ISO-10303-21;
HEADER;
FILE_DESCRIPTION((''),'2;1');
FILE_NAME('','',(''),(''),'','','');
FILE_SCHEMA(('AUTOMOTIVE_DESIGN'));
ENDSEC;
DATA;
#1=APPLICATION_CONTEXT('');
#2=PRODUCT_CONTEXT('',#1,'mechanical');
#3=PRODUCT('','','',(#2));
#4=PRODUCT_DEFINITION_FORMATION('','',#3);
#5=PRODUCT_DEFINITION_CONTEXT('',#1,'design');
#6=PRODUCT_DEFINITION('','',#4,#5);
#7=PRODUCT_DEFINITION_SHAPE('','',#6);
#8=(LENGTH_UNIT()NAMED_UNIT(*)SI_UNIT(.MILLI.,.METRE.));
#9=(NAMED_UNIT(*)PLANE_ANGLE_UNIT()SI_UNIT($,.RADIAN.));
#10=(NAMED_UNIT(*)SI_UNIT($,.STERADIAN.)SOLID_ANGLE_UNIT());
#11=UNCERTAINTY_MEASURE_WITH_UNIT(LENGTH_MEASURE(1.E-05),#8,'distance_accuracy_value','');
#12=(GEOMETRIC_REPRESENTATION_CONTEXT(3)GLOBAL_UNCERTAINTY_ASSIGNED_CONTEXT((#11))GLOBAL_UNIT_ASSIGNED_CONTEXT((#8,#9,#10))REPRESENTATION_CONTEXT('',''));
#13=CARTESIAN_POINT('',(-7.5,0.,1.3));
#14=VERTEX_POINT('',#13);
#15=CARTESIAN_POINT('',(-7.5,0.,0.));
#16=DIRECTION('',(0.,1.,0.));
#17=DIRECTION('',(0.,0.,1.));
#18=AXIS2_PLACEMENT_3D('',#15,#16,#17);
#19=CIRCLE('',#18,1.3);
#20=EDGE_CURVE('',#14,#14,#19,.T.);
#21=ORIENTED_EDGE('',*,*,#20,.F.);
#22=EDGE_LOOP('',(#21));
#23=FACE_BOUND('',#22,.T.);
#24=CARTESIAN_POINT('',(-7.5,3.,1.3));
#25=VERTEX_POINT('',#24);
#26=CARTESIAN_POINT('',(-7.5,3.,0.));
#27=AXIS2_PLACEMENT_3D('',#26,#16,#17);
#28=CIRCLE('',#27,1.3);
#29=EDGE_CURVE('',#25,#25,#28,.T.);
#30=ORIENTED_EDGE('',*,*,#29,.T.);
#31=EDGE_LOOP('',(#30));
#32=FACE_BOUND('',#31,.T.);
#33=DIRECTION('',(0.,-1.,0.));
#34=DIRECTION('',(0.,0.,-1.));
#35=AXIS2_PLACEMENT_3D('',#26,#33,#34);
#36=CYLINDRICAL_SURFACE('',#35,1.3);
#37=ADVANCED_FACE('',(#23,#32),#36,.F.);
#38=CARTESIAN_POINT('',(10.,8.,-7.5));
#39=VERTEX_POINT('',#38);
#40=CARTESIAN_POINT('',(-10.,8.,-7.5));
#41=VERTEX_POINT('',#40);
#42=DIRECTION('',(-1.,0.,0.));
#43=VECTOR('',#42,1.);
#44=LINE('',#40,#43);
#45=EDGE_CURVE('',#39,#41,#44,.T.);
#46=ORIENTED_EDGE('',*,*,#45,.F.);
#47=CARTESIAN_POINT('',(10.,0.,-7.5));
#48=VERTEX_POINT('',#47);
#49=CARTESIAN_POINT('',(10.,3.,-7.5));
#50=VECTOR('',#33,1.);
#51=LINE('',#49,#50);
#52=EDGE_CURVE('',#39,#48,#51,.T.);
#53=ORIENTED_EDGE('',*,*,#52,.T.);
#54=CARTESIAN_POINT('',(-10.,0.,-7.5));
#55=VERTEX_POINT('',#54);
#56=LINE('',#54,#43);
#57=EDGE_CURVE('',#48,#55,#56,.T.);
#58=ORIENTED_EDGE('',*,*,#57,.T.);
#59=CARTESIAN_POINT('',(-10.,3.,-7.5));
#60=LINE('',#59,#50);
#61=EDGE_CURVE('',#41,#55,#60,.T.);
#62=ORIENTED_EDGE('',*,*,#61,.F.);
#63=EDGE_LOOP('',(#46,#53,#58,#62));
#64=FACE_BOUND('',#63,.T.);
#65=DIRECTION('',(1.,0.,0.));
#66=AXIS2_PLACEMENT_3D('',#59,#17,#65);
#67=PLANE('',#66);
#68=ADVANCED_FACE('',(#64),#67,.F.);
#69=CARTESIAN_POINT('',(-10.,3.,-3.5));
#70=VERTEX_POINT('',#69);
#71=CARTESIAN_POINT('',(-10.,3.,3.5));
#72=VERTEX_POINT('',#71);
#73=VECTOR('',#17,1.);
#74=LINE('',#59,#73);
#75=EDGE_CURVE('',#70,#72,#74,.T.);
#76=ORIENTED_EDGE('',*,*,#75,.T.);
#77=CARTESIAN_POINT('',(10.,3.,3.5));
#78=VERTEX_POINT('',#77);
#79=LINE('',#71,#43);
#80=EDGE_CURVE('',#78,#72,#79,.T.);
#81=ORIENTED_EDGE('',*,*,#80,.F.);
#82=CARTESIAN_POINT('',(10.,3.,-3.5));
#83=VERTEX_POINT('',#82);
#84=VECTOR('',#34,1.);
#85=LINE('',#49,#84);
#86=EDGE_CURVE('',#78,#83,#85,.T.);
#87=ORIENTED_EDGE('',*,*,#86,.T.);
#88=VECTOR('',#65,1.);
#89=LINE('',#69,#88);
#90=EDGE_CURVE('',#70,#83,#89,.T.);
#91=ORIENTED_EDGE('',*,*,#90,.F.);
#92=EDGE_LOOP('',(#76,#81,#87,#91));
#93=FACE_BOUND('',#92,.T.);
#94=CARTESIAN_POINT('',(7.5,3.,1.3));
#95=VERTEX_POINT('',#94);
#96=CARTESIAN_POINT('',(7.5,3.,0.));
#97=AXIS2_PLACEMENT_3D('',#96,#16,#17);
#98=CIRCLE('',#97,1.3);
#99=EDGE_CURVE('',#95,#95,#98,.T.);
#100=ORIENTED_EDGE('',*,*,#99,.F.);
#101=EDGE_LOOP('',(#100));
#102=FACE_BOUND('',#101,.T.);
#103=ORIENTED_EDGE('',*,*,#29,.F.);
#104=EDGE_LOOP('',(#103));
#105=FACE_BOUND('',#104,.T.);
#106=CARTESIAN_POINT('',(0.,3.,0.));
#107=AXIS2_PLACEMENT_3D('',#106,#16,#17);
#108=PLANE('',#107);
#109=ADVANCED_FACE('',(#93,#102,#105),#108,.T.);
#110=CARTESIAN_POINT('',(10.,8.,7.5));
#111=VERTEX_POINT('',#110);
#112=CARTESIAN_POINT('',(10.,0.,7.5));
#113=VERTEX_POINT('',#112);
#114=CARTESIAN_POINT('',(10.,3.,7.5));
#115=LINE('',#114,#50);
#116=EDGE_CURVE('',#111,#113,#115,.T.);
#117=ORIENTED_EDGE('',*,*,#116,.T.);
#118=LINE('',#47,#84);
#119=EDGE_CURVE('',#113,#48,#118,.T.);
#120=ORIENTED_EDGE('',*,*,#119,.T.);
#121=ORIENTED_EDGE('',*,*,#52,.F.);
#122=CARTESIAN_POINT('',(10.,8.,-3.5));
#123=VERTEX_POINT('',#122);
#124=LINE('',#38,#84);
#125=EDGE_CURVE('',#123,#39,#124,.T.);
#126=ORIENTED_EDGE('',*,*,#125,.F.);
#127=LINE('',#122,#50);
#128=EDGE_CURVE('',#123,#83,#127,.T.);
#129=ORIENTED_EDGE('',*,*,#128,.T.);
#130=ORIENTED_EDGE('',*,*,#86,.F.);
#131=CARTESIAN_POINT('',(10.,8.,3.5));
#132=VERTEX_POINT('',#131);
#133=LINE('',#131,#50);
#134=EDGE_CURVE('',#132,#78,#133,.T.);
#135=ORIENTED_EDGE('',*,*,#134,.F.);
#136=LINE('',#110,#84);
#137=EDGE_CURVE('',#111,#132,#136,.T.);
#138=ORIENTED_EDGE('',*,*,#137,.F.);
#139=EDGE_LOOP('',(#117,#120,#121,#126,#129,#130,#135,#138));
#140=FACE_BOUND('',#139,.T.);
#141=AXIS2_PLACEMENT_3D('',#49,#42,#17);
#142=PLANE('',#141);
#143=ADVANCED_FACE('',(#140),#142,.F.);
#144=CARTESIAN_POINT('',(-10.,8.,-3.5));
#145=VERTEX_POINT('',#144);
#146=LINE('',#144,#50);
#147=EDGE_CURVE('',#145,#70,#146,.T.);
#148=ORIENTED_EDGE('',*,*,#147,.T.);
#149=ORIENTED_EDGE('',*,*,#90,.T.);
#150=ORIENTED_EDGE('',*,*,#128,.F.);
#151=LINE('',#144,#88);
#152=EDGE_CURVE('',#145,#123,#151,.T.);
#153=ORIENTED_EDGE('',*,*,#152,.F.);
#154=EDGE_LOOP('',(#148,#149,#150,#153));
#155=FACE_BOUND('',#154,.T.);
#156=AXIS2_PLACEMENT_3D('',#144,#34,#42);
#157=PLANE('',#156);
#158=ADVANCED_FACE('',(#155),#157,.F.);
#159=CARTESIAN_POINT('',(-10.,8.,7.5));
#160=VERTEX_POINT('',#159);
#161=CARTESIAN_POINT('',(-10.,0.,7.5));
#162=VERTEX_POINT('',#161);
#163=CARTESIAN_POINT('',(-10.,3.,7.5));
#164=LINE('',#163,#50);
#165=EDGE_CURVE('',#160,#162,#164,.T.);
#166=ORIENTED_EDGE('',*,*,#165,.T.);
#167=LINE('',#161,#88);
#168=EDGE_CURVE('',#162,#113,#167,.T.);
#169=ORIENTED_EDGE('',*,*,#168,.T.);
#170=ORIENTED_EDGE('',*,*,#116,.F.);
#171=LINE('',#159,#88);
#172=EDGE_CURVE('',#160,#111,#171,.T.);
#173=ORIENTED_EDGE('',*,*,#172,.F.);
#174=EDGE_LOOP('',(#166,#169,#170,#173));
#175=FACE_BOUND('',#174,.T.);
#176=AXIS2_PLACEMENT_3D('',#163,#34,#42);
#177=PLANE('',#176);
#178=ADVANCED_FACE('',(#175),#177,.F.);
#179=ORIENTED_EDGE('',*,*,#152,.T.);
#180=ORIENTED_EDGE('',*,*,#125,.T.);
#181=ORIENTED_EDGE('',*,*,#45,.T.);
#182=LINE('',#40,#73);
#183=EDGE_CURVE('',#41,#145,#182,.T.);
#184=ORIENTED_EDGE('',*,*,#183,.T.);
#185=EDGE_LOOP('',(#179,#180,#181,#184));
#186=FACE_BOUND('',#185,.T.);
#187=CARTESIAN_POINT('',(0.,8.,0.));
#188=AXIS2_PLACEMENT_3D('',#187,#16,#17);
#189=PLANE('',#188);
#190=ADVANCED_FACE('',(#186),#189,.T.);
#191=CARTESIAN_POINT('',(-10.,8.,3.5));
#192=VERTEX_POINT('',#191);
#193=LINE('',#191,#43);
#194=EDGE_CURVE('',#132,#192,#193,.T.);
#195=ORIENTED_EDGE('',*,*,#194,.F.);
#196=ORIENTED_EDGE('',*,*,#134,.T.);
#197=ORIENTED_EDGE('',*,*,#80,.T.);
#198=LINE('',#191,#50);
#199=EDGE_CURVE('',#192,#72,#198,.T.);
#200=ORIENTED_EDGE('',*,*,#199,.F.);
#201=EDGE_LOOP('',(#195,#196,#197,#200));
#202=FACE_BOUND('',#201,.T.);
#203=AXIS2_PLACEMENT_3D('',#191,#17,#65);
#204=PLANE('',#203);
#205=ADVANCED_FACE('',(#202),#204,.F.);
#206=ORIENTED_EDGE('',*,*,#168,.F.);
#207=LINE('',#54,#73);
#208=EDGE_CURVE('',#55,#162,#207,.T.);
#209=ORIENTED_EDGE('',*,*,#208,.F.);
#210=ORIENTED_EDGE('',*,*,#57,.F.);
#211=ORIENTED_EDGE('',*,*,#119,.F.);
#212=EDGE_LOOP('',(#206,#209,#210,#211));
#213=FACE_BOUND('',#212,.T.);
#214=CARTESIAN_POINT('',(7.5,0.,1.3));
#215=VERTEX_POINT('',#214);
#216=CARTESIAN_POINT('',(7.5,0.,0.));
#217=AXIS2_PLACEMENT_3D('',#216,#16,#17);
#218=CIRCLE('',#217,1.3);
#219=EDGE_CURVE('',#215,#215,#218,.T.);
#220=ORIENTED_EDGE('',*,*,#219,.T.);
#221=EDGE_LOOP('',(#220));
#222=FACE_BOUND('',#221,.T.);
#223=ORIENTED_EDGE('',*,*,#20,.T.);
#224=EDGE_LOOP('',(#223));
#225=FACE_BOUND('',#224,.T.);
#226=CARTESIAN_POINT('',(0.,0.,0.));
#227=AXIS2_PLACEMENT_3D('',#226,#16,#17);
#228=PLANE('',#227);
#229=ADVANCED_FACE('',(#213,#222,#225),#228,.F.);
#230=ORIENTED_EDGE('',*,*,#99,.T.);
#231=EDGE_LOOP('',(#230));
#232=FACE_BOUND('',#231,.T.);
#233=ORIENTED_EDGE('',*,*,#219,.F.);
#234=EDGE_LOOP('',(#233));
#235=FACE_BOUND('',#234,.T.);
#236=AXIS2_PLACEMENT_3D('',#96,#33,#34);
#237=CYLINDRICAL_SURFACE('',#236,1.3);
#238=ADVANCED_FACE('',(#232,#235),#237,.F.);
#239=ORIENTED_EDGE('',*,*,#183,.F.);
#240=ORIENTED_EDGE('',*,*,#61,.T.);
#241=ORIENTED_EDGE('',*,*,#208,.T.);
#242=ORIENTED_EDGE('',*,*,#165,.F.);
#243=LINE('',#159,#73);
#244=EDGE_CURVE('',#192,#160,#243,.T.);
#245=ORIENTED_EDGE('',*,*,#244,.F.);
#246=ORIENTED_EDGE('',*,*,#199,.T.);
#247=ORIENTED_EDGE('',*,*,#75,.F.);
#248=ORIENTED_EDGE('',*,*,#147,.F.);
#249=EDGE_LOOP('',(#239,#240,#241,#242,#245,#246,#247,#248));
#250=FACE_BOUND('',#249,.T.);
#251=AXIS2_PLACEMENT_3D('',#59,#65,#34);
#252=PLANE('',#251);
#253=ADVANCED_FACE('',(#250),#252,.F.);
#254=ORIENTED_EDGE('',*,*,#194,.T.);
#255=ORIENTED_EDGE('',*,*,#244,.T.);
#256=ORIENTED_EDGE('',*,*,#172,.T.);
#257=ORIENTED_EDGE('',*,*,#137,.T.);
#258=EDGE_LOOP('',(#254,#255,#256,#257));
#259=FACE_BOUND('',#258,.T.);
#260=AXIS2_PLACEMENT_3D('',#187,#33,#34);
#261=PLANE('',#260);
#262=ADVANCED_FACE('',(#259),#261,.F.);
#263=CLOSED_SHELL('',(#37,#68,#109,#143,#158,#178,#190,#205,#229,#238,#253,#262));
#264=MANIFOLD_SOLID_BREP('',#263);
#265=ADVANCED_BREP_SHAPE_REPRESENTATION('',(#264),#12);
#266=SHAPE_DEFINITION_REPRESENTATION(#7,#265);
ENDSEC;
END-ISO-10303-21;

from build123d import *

# Parameters (mm, degrees)
SKETCH_1_W      = 20
SKETCH_1_H      = 15
SKETCH_1_R      = 1.3
EXTRUDE_1_DEPTH = 3
SKETCH_2_W      = 20
SKETCH_2_H      = 4
EXTRUDE_2_DEPTH = 5


with BuildPart() as part:
    # 草图1 → 凸台-拉伸1 (new body)
    with BuildSketch(Plane(origin=(0, 0, 0), x_dir=(1, 0, 0), z_dir=(0, 1, 0))):
        Rectangle(SKETCH_1_W, SKETCH_1_H)
        with Locations(Location((7.5, 0, 0), (0, 0, 270))):
            Circle(SKETCH_1_R, mode=Mode.SUBTRACT)
        with Locations(Location((-7.5, 0, 0), (0, 0, 270))):
            Circle(SKETCH_1_R, mode=Mode.SUBTRACT)
    extrude(amount=EXTRUDE_1_DEPTH)

    # 草图2 → 凸台-拉伸2 (add)
    with BuildSketch(Plane(origin=(0, 3, 0), x_dir=(1, 0, 0), z_dir=(0, 1, 0))):
        with Locations((0, 5.5)):
            Rectangle(SKETCH_2_W, SKETCH_2_H)
        with Locations((0, -5.5)):
            Rectangle(SKETCH_2_W, SKETCH_2_H)
    extrude(amount=EXTRUDE_2_DEPTH)


solid = part.part
